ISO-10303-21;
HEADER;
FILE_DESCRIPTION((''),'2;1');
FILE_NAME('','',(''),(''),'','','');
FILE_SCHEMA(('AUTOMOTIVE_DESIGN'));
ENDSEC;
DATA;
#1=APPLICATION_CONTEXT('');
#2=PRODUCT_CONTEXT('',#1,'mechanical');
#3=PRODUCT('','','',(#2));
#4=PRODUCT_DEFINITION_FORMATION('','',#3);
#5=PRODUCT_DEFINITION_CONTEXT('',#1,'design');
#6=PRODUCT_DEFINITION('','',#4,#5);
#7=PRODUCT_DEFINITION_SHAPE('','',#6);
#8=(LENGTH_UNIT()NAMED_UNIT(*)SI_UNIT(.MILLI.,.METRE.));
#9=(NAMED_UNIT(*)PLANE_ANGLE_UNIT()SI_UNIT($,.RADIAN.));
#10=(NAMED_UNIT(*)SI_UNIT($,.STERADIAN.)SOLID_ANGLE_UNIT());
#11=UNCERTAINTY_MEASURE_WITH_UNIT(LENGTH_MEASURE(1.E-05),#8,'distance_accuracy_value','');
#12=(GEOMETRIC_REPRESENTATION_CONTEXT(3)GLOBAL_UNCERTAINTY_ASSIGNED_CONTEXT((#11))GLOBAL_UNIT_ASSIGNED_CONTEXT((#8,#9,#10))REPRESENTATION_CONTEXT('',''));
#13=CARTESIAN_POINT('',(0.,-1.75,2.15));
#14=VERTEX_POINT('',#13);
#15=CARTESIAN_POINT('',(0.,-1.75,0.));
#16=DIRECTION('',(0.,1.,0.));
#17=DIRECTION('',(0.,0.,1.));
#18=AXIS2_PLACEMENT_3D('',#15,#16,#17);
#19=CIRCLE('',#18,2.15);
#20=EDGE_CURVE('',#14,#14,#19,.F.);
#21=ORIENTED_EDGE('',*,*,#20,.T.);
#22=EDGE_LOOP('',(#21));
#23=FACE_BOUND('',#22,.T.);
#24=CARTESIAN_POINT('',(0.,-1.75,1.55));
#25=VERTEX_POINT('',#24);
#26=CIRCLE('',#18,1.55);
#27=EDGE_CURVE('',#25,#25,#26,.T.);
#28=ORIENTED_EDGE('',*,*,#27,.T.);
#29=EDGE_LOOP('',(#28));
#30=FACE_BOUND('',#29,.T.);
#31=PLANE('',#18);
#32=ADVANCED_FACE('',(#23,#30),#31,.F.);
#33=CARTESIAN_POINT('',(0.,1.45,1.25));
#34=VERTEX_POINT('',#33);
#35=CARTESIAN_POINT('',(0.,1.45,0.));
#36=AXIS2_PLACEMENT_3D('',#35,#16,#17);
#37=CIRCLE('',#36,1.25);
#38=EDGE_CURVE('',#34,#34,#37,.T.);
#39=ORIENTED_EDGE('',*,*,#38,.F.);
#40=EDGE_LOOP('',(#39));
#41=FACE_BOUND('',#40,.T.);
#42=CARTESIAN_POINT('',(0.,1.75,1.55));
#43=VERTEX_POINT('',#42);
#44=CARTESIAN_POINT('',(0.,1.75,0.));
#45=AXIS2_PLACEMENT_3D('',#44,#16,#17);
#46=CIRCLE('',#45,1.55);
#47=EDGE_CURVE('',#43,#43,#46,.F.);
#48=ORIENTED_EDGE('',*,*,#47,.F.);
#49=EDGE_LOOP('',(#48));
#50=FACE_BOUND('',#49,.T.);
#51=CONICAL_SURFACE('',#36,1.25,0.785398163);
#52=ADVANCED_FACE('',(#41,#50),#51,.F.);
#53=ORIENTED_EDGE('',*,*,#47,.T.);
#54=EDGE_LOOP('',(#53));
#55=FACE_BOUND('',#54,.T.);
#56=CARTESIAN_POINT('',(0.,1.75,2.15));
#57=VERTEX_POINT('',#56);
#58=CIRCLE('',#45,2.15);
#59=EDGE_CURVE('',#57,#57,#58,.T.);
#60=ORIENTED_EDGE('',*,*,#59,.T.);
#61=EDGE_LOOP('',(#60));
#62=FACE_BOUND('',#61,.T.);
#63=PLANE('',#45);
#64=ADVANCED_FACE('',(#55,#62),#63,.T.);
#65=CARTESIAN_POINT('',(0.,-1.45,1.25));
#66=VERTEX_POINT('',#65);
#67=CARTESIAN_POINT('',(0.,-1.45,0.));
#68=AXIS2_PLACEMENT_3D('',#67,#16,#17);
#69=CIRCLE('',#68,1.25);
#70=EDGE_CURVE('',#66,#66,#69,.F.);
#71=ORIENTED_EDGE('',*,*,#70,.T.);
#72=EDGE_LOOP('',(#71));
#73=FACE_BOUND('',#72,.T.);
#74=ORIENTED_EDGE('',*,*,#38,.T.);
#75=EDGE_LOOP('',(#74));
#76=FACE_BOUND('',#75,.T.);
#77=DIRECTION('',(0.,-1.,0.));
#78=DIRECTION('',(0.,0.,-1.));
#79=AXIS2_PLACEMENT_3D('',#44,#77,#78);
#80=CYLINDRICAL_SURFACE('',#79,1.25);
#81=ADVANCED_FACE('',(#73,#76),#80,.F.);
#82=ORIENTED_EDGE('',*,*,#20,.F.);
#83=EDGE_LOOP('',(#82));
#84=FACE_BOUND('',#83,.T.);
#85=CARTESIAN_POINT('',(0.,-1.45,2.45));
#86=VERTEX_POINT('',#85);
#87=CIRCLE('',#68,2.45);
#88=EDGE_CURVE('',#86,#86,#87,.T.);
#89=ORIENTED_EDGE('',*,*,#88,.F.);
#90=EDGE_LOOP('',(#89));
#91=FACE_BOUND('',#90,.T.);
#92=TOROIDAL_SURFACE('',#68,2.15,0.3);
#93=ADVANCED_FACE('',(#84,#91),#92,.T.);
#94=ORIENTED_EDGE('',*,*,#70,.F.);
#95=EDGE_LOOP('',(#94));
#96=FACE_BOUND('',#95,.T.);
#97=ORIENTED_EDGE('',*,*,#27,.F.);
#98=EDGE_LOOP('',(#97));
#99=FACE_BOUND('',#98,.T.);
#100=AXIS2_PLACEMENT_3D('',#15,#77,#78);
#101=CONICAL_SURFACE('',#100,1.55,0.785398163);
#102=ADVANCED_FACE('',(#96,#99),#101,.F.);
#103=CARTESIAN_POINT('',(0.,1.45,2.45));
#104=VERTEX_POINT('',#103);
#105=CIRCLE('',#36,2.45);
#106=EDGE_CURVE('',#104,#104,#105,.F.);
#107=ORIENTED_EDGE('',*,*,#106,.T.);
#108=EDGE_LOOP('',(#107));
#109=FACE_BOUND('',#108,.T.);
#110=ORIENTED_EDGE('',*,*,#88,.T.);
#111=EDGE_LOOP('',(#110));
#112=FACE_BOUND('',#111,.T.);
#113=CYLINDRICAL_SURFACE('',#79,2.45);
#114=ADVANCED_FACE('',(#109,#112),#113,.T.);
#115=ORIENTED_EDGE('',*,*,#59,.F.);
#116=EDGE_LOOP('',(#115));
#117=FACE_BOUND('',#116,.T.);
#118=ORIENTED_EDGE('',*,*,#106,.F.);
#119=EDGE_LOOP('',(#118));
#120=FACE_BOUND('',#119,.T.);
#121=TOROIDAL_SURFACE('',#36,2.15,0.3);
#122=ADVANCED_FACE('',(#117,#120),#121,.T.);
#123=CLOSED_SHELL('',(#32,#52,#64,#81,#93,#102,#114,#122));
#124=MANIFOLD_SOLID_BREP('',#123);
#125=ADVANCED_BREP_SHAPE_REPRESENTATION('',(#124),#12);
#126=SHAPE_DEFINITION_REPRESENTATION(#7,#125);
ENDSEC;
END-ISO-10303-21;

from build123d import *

# Parameters (mm, degrees)
SKETCH1_R           = 2.45
SKETCH1_R_2         = 1.25
BOSS_EXTRUDE1_DEPTH = 1.75
CHAMFER1_SIZE       = 0.3
FILLET1_R           = 0.3


with BuildPart() as part:
    # Sketch1 → Boss-Extrude1 (new, symmetric)
    with BuildSketch(Plane(origin=(0, 0, 0), x_dir=(1, 0, 0), z_dir=(0, 1, 0))):
        with Locations(Location((0, 0, 0), (0, 0, 270))):
            Circle(SKETCH1_R)
        with Locations(Location((0, 0, 0), (0, 0, 270))):
            Circle(SKETCH1_R_2, mode=Mode.SUBTRACT)
    extrude(amount=BOSS_EXTRUDE1_DEPTH, both=True)

    # Chamfer1
    chamfer1_edges = [part.edges().sort_by_distance(p)[0] for p in [
        (0, -1.75, -1.25),
        (0, 1.75, -1.25),
    ]]
    chamfer(chamfer1_edges, length=CHAMFER1_SIZE)

    # Fillet1
    fillet1_edges = [part.edges().sort_by_distance(p)[0] for p in [
        (0, -1.75, -2.45),
        (0, 1.75, -2.45),
    ]]
    fillet(fillet1_edges, radius=FILLET1_R)


solid = part.part
